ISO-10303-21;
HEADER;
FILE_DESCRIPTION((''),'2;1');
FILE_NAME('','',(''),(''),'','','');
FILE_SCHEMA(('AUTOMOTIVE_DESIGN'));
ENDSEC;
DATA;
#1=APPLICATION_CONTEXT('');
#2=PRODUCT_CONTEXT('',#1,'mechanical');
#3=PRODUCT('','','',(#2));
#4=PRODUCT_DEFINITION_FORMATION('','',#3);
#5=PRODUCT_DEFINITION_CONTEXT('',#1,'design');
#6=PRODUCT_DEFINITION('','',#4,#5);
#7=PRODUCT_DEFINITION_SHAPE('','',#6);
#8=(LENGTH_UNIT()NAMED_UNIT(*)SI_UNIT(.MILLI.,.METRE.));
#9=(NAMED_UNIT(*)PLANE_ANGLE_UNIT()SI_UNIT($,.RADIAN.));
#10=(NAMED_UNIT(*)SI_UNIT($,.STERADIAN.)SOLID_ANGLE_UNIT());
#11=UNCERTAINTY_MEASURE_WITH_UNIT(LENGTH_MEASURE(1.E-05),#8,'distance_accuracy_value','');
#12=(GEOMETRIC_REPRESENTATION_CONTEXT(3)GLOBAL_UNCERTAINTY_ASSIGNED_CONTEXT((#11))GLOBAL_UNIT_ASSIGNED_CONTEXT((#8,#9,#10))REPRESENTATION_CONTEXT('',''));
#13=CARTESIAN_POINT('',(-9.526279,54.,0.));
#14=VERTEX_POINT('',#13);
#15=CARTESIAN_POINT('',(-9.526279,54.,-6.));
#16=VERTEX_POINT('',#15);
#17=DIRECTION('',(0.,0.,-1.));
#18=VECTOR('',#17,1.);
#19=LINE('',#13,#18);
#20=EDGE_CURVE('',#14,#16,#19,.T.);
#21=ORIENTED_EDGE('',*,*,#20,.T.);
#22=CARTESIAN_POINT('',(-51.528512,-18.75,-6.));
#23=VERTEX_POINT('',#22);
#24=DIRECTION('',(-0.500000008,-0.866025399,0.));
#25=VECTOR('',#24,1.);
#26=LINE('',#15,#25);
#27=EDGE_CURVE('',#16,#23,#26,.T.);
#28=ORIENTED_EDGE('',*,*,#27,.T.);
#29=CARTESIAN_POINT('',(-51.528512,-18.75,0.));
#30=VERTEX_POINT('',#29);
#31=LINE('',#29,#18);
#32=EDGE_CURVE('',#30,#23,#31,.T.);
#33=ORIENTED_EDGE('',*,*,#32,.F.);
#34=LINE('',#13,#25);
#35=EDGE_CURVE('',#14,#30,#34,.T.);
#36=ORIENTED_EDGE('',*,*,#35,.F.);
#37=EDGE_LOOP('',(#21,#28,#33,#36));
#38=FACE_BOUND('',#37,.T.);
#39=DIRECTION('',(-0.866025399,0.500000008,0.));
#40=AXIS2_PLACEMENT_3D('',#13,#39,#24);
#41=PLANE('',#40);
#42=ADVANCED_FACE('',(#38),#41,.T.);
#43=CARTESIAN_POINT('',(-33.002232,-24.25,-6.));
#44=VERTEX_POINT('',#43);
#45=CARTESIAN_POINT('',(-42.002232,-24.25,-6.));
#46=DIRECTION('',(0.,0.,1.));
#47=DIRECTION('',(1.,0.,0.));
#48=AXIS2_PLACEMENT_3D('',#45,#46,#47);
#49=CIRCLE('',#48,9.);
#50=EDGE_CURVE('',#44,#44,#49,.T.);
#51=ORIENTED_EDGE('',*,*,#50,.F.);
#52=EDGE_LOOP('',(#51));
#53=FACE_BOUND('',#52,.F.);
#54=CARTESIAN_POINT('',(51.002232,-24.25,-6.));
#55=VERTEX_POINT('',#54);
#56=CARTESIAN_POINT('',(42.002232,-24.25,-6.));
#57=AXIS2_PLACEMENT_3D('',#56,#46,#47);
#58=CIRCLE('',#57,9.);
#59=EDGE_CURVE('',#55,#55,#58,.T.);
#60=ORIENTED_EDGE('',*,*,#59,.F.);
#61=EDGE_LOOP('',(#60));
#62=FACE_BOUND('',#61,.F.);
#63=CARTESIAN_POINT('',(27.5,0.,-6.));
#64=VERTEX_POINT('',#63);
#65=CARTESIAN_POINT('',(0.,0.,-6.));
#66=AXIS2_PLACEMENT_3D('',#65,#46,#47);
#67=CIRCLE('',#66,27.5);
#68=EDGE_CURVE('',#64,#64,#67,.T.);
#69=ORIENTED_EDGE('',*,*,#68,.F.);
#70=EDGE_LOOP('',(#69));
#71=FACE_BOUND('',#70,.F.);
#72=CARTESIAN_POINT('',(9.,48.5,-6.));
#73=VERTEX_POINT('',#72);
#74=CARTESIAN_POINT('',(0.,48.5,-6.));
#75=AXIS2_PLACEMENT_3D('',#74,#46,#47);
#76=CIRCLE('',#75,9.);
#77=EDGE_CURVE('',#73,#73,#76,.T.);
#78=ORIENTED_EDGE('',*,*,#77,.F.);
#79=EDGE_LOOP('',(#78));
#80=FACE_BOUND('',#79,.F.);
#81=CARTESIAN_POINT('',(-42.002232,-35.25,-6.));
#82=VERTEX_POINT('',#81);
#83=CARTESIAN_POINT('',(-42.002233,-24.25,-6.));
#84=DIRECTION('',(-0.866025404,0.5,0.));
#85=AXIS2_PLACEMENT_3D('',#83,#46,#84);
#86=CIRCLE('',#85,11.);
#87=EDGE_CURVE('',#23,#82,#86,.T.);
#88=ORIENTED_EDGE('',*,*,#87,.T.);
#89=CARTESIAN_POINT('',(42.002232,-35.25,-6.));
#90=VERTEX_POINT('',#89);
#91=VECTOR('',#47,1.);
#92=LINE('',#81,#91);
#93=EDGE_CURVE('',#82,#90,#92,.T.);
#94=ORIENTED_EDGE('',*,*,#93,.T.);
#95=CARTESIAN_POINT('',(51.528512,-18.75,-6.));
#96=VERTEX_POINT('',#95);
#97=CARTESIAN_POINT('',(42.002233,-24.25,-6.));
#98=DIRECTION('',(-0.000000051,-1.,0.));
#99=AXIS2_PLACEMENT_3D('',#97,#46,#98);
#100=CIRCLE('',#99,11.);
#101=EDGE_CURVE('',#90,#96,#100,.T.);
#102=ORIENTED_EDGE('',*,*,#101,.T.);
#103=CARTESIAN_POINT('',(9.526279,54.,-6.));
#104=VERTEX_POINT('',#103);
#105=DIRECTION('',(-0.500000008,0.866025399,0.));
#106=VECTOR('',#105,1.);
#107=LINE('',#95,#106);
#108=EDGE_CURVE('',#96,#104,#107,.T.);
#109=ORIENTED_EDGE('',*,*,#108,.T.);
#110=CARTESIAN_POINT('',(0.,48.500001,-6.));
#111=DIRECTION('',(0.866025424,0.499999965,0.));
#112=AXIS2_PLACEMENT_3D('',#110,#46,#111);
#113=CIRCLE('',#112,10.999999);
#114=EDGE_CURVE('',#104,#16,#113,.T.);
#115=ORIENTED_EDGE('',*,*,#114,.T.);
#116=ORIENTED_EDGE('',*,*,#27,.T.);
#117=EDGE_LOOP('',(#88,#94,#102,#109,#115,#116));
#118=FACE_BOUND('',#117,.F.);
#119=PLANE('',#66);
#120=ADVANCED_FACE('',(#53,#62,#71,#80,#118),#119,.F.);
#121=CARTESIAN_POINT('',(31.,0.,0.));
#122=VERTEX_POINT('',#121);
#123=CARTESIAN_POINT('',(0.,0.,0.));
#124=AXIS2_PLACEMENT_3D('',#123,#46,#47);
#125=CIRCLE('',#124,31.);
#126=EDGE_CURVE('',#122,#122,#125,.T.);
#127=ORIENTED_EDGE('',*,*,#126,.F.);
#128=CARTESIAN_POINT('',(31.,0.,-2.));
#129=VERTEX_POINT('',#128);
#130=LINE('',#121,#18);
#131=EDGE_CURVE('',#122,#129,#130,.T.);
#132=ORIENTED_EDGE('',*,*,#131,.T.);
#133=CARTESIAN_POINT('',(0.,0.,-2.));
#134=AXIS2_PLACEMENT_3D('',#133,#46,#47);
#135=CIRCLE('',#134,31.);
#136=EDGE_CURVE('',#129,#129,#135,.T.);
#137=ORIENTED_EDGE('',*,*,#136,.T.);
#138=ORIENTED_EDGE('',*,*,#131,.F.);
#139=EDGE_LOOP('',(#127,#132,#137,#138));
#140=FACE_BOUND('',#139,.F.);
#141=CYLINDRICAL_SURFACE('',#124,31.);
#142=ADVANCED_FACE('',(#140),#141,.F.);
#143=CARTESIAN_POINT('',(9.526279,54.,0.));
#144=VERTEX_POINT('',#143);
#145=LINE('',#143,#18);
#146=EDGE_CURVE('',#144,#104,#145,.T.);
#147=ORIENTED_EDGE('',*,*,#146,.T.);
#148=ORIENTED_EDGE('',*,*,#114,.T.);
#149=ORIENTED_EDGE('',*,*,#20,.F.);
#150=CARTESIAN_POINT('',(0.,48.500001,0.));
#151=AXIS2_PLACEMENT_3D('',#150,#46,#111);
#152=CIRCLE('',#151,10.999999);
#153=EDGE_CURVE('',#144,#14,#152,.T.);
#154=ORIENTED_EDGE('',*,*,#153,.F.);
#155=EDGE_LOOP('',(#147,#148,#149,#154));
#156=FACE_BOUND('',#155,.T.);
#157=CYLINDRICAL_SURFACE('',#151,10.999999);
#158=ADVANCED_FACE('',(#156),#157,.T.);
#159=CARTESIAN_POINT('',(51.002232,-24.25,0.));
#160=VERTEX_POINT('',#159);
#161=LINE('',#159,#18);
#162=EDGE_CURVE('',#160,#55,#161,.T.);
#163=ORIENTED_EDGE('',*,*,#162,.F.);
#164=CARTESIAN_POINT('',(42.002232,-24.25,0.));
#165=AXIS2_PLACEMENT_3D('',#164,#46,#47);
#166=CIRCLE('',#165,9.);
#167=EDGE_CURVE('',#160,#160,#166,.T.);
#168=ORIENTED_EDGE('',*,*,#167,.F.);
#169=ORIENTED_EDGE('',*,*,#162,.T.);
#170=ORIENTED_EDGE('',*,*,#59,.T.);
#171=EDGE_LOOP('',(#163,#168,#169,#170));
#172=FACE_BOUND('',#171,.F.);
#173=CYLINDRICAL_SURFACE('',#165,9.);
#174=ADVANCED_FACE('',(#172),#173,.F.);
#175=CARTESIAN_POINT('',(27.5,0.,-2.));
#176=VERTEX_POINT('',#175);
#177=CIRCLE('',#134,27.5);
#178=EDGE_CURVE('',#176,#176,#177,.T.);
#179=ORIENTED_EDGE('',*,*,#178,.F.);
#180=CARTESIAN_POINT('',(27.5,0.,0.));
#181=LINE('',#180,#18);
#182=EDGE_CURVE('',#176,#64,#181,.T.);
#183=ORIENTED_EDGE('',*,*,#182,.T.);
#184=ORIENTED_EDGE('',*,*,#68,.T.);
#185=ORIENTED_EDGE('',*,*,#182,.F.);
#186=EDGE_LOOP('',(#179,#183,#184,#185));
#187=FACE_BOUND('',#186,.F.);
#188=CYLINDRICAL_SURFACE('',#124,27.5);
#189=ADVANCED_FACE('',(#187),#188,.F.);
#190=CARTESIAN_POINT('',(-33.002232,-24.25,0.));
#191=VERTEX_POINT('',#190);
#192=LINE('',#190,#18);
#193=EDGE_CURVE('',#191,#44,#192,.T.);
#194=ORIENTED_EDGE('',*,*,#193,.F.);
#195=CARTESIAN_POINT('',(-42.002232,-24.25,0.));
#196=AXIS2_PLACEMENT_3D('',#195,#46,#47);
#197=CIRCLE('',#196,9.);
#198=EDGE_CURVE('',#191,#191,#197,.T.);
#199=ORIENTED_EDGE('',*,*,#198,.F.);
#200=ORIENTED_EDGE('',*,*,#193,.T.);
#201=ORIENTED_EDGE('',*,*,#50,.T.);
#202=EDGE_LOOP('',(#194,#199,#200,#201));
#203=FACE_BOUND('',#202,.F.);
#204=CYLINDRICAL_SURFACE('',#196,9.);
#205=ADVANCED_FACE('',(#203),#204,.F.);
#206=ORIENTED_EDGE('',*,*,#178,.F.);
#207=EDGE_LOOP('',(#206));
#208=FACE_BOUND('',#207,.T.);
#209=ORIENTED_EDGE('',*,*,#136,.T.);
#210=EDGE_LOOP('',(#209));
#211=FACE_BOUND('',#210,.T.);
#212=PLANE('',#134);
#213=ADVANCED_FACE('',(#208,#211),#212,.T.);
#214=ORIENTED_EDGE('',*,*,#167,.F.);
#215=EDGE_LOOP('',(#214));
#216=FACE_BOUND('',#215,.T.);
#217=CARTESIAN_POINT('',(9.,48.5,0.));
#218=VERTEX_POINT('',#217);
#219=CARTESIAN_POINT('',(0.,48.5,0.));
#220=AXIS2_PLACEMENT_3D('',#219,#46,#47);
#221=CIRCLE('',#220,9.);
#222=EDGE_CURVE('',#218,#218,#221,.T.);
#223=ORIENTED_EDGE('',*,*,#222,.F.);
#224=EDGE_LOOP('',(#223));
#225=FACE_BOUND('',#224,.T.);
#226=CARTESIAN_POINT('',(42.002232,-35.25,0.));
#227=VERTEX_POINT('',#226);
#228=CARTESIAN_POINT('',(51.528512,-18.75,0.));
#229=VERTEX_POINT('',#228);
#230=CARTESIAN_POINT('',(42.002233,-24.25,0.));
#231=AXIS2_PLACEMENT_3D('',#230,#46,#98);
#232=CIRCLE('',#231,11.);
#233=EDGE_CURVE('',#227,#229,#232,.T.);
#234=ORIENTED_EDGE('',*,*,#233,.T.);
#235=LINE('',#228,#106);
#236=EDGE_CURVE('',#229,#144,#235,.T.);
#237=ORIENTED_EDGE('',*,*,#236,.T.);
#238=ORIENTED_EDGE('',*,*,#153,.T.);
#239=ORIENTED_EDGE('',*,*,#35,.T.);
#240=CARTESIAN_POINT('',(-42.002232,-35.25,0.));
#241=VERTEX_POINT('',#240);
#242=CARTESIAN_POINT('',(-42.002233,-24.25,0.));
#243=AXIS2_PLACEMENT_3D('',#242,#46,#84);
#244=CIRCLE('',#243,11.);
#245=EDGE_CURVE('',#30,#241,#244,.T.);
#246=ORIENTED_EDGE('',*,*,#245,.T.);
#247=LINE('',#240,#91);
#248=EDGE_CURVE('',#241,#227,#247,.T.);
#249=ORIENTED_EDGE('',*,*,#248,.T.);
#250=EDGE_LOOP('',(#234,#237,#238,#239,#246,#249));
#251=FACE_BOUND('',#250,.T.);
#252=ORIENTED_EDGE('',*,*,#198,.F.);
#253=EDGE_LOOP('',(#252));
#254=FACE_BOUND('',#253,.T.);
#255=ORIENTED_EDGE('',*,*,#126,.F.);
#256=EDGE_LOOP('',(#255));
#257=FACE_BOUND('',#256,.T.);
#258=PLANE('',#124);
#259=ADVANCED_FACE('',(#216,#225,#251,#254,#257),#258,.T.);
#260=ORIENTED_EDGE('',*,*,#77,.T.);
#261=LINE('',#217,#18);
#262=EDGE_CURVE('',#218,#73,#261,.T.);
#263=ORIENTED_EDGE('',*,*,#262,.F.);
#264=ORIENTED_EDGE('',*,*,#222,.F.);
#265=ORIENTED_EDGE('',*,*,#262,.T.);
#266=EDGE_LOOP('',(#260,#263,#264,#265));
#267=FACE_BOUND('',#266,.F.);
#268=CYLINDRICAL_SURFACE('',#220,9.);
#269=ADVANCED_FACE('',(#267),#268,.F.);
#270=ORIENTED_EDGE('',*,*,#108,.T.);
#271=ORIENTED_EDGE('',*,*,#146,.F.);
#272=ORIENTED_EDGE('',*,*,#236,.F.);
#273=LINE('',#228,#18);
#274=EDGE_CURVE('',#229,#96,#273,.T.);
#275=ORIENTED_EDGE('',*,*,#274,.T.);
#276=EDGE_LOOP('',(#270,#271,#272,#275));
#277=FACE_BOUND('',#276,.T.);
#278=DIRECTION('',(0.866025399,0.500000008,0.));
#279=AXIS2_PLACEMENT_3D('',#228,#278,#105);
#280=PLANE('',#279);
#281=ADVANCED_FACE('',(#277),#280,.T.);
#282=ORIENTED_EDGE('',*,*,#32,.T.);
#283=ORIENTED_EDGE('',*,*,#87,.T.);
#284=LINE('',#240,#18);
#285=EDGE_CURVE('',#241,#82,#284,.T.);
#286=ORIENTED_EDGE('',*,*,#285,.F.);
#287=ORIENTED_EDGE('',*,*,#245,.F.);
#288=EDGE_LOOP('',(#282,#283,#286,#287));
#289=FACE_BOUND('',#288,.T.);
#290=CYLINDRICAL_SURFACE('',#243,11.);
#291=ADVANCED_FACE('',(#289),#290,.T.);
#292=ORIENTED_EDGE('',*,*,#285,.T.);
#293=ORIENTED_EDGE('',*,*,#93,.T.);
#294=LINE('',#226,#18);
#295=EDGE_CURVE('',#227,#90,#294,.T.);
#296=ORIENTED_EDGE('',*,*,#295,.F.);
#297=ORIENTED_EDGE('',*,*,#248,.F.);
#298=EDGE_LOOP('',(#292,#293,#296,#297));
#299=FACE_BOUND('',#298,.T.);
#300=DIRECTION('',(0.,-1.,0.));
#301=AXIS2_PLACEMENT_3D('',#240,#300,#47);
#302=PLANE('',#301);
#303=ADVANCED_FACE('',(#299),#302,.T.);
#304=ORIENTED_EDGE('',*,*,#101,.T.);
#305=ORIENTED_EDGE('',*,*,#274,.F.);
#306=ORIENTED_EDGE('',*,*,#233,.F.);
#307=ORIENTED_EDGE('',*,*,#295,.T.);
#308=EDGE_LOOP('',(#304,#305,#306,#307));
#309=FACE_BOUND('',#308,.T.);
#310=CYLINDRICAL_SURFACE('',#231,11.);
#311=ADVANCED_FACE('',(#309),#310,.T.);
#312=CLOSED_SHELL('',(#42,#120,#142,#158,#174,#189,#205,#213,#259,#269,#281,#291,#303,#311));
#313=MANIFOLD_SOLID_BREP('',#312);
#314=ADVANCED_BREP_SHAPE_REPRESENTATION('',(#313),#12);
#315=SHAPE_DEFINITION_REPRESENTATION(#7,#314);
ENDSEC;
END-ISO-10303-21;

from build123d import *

# Parameters (mm, degrees)
PAD001_DEPTH    = 6
CLONE2D004_R    = 9
CLONE2D004_R_2  = 4
POCKET004_DEPTH = 6.001
SKETCH009_R     = 27.5
POCKET005_DEPTH = 6.001
SKETCH010_R     = 31
POCKET006_DEPTH = 2


with BuildPart() as part:
    # Clone2D003 → Pad001 (new body)
    with BuildSketch(Plane.XY):
        with BuildLine():
            ThreePointArc((9.526279, 54), (0, 59.5), (-9.526279, 54))
            Line((-9.526279, 54), (-51.528512, -18.75))
            ThreePointArc((-51.528512, -18.75), (-51.528512, -29.75), (-42.002232, -35.25))
            Line((-42.002232, -35.25), (42.002232, -35.25))
            ThreePointArc((42.002232, -35.25), (51.528512, -29.75), (51.528512, -18.75))
            Line((51.528512, -18.75), (9.526279, 54))
        make_face()
    extrude(amount=-PAD001_DEPTH)

    # Clone2D004 → Pocket004 (cut, through all)
    with BuildSketch(Plane.XY):
        with Locations((0, 48.5)):
            Circle(CLONE2D004_R)
        with Locations((-42.002232, -24.25)):
            Circle(CLONE2D004_R)
        with Locations((42.002232, -24.25)):
            Circle(CLONE2D004_R)
        Circle(CLONE2D004_R_2)
    extrude(amount=-POCKET004_DEPTH, mode=Mode.SUBTRACT)

    # Sketch009 → Pocket005 (cut, through all)
    with BuildSketch(Plane.XY):
        Circle(SKETCH009_R)
    extrude(amount=-POCKET005_DEPTH, mode=Mode.SUBTRACT)

    # Sketch010 → Pocket006 (cut)
    with BuildSketch(Plane.XY):
        Circle(SKETCH010_R)
    extrude(amount=-POCKET006_DEPTH, mode=Mode.SUBTRACT)


solid = part.part
